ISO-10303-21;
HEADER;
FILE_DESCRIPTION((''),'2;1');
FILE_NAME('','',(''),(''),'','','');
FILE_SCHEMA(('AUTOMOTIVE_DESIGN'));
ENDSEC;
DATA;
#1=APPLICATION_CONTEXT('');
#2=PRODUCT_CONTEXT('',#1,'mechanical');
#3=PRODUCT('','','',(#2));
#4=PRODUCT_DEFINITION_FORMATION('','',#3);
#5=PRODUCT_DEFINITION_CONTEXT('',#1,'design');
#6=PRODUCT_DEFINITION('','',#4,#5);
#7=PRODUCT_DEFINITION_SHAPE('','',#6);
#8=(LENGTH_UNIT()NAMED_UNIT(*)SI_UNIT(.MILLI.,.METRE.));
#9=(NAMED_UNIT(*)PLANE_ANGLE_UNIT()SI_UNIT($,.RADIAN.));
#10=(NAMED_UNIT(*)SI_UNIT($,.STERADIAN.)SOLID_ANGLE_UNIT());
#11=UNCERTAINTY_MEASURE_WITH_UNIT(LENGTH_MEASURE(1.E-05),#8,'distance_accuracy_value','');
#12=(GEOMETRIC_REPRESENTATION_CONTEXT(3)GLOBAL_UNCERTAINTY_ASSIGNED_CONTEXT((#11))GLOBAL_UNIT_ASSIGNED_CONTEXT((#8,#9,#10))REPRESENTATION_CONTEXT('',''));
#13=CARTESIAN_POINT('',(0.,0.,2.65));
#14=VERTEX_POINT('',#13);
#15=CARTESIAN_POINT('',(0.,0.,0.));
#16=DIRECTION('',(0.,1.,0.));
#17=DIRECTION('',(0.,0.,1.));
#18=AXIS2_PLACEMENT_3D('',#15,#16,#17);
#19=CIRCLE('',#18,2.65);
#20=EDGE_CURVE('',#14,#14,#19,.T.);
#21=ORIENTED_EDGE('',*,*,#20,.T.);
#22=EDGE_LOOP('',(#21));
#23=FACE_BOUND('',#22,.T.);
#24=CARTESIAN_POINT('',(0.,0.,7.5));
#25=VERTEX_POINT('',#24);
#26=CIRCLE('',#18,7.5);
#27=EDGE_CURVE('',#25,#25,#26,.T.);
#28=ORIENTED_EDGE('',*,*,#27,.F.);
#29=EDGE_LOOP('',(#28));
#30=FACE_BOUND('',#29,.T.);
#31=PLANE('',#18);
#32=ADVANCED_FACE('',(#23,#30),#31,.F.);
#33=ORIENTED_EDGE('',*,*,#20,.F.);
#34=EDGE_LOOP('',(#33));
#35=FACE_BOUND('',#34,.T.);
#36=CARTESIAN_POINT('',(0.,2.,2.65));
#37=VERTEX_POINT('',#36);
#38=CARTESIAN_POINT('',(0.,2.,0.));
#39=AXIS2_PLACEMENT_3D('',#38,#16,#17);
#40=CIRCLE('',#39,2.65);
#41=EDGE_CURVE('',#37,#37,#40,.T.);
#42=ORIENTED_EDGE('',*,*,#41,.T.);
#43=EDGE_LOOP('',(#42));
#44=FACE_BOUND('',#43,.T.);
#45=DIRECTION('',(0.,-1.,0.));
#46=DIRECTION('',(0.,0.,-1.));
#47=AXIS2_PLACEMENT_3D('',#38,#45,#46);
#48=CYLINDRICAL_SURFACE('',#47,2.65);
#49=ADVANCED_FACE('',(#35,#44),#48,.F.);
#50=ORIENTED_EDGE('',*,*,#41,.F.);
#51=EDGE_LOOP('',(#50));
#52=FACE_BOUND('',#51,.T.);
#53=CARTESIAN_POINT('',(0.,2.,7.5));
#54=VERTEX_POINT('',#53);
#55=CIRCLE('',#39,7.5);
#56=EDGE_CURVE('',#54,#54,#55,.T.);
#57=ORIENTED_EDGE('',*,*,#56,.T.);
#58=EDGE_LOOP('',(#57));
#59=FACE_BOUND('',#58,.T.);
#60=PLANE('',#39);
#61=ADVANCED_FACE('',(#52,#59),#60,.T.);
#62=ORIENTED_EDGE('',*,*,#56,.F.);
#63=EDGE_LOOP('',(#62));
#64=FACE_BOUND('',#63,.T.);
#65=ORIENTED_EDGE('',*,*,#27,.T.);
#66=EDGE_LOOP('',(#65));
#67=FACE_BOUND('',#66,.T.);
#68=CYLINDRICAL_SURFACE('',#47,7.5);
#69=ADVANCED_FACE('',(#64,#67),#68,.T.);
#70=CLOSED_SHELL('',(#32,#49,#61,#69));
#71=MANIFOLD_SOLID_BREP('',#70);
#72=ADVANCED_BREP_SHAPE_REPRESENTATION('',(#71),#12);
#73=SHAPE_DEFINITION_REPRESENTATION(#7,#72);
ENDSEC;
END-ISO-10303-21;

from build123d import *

# Parameters (mm, degrees)
SKETCH1_R           = 7.5
SKETCH1_R_2         = 2.65
BOSS_EXTRUDE1_DEPTH = 2


with BuildPart() as part:
    # Sketch1 → Boss-Extrude1 (new body)
    with BuildSketch(Plane(origin=(0, 0, 0), x_dir=(1, 0, 0), z_dir=(0, 1, 0))):
        with Locations(Location((0, 0, 0), (0, 0, 270))):
            Circle(SKETCH1_R)
        with Locations(Location((0, 0, 0), (0, 0, 270))):
            Circle(SKETCH1_R_2, mode=Mode.SUBTRACT)
    extrude(amount=BOSS_EXTRUDE1_DEPTH)


solid = part.part
